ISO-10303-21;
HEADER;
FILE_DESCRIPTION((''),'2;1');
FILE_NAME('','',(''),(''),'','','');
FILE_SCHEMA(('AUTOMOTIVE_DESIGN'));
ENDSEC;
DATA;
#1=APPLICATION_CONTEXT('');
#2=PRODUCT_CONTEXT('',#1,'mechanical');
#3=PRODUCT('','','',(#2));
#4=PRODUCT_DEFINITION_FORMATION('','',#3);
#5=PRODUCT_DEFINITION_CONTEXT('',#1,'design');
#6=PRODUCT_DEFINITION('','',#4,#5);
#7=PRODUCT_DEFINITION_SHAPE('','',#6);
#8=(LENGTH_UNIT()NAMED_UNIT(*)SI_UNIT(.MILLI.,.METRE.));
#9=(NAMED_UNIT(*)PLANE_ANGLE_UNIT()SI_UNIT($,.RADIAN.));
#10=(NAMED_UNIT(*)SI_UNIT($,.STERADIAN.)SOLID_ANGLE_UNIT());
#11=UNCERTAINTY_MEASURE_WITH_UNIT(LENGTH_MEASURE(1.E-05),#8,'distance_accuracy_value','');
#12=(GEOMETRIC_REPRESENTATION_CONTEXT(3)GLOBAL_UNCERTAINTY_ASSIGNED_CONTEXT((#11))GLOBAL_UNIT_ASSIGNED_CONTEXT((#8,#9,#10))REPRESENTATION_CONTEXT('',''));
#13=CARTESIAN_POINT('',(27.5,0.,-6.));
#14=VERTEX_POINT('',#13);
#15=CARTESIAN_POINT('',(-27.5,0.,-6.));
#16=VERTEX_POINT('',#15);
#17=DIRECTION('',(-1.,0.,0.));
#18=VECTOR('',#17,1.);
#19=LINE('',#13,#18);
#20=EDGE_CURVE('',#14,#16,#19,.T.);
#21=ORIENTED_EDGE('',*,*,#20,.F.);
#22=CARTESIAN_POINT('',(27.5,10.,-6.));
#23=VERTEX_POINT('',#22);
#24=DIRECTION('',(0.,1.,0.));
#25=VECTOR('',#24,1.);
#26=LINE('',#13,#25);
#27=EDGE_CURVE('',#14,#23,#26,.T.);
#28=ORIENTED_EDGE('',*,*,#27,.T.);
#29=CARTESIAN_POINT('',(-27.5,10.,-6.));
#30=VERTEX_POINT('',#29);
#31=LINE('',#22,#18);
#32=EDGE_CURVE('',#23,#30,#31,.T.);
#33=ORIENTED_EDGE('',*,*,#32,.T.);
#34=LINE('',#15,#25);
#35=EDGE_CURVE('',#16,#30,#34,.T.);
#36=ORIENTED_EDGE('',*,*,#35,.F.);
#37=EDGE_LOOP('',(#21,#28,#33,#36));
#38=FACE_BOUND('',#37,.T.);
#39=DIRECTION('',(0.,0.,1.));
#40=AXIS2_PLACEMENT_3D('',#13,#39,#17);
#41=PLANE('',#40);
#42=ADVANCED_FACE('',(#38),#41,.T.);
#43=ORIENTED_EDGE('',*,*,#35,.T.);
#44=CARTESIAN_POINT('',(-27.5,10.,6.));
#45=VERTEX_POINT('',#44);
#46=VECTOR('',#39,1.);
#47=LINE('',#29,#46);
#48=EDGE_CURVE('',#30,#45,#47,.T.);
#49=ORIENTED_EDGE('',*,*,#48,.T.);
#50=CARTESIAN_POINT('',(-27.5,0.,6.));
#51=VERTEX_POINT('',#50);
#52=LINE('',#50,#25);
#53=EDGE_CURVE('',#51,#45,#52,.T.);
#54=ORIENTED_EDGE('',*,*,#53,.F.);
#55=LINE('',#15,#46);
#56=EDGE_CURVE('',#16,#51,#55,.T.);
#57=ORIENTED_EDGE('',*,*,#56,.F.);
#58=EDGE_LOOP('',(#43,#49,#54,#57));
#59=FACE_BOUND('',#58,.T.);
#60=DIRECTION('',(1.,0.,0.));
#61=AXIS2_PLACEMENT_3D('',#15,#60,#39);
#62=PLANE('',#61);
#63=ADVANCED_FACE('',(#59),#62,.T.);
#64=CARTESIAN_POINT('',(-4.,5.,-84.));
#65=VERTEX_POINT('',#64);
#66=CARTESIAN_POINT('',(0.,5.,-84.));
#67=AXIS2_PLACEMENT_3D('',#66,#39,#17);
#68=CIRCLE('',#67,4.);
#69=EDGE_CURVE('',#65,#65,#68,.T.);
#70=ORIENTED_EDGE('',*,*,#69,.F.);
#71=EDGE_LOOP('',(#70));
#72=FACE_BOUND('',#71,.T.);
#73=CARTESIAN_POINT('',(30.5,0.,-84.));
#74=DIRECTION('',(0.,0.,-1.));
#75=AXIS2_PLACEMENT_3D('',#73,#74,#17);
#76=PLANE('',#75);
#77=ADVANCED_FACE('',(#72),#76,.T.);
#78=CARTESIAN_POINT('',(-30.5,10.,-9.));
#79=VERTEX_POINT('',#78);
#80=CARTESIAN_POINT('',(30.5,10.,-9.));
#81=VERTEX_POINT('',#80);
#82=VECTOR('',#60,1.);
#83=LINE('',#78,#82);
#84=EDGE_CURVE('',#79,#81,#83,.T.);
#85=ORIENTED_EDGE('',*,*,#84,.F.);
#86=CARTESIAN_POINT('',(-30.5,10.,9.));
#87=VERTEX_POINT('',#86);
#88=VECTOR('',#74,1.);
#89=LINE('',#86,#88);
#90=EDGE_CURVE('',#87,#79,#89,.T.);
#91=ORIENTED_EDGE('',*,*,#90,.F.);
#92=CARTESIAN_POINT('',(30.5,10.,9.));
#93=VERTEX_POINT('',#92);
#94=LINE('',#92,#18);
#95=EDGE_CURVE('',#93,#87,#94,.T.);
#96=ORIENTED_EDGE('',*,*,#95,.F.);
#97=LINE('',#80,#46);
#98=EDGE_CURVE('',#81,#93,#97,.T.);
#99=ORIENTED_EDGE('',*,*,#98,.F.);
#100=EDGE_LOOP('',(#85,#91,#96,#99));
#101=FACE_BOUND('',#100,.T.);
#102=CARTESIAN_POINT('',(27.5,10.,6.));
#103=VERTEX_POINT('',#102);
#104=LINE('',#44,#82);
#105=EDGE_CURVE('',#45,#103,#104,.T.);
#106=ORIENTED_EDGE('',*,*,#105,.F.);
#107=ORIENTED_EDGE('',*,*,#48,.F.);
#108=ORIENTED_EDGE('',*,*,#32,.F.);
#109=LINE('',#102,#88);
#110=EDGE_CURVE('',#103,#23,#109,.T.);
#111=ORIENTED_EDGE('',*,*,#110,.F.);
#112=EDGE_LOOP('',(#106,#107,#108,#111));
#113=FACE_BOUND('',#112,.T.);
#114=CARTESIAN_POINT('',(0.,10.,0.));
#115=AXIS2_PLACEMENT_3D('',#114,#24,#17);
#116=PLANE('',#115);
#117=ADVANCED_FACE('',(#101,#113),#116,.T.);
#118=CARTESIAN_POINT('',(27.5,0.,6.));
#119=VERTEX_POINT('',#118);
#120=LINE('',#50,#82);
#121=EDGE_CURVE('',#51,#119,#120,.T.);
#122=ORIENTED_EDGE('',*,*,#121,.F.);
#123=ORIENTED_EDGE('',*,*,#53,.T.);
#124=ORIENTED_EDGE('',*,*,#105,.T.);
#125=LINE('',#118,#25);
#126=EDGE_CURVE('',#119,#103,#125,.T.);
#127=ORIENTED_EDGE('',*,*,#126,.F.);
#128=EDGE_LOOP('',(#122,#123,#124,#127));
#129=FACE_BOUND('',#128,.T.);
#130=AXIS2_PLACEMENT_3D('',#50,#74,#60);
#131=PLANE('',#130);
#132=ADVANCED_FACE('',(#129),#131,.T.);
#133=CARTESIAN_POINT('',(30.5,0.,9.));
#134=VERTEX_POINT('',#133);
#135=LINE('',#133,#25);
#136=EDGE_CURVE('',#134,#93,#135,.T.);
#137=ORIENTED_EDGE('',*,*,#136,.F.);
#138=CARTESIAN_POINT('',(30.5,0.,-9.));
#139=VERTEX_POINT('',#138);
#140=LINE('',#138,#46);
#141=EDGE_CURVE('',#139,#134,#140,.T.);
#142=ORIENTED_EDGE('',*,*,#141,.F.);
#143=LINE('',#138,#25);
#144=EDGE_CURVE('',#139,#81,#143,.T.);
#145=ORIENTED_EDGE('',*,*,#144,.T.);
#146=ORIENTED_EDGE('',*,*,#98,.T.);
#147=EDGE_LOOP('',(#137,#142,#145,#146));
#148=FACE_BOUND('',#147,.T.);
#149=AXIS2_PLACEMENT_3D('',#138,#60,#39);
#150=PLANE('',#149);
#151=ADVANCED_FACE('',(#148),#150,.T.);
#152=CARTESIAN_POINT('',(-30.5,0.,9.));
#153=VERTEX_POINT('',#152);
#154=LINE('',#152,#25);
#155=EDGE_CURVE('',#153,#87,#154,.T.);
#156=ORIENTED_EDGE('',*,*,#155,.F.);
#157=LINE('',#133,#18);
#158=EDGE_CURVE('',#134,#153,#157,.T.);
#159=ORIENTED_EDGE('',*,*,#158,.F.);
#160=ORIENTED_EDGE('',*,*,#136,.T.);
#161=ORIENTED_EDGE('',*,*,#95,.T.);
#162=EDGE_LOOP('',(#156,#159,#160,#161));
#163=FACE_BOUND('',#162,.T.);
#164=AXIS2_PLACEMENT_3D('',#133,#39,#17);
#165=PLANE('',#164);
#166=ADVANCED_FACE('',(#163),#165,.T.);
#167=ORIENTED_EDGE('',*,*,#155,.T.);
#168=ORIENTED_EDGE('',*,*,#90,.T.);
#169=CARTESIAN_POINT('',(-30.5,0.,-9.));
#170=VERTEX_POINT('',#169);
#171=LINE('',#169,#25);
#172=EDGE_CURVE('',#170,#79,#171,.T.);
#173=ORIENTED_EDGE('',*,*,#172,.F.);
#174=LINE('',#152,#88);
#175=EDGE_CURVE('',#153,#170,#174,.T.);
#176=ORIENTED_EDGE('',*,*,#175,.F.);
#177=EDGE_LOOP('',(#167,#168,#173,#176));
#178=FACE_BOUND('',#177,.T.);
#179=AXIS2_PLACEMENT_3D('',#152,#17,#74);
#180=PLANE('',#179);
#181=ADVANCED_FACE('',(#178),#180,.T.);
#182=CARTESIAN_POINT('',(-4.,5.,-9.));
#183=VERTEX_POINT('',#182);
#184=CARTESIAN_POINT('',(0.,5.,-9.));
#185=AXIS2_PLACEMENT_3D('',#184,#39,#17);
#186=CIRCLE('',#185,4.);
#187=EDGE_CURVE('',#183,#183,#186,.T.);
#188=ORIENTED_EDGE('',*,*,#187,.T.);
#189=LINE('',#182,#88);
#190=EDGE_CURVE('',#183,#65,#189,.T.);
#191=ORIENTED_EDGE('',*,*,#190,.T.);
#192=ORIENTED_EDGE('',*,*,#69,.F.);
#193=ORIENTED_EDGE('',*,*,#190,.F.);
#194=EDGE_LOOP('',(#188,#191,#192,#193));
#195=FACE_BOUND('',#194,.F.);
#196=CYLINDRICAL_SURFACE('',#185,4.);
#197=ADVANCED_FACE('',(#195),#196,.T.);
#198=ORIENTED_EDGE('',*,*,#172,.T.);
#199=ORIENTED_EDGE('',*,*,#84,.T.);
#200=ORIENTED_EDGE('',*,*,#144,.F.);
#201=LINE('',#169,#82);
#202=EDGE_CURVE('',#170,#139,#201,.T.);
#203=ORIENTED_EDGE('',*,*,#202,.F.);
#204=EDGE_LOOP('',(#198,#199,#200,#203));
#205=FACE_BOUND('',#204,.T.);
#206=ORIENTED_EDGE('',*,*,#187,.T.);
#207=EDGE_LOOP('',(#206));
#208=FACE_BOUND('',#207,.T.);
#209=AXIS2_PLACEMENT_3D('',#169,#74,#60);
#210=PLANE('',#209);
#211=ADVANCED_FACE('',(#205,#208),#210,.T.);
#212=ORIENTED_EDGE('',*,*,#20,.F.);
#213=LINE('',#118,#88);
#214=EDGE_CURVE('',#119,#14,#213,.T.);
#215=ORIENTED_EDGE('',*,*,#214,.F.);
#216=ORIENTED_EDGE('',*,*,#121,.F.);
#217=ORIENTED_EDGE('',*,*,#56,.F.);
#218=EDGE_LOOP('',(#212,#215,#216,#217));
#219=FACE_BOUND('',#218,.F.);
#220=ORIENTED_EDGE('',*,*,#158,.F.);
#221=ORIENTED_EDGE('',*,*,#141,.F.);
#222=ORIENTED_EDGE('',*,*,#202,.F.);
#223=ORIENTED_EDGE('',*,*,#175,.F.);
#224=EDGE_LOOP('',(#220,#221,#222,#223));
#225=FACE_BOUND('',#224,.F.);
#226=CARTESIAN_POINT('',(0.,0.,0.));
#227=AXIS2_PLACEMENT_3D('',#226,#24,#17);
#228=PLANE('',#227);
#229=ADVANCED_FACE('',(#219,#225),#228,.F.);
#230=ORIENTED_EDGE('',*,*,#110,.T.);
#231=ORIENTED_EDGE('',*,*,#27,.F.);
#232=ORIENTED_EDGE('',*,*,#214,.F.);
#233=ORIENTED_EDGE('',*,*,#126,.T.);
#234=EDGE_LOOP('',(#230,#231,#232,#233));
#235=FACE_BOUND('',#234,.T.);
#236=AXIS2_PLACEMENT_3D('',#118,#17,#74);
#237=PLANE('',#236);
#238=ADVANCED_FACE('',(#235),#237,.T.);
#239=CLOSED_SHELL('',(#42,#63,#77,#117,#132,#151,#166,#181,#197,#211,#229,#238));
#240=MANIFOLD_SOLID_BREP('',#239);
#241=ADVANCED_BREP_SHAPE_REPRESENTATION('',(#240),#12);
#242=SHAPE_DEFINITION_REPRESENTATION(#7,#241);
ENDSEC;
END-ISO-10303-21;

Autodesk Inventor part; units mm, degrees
ref_plane "YZ Plane" through (0, 0, 0) normal (1, 0, 0) x (0, 1, 0)
ref_plane "XZ Plane" through (0, 0, 0) normal (0, 1, 0) x (-1, 0, 0)
ref_plane "XY Plane" through (0, 0, 0) normal (0, 0, 1) x (1, 0, 0)
sketch "Sketch1" plane through (0, 0, 0) normal (0, 1, 0) x (-1, 0, 0)
  line L0 (27.5, 6) -> (-27.5, 6)
  line L1 (-27.5, 6) -> (-27.5, -6)
  line L2 (-27.5, -6) -> (27.5, -6)
  line L3 (27.5, -6) -> (27.5, 6)
  line L4 (27.5, 6) -> (-27.5, -6) construction
  line L5 (-27.5, 6) -> (27.5, -6) construction
  line L6 (30.5, -9) -> (-30.5, -9)
  line L7 (-30.5, -9) -> (-30.5, 9)
  line L8 (-30.5, 9) -> (30.5, 9)
  line L9 (30.5, 9) -> (30.5, -9)
  point P0 (0, 0)
  dimension "d0" = 55
  dimension "d1" = 12
  dimension "d2" = 3
extrude "Extrusion1" add sketch "Sketch1" along normal blind 10
sketch "Sketch2" plane through (30.5, 0, -9) normal (0, 0, -1) x (-1, 0, 0)
  line L0 (30.5, 0) -> (30.5, 5)
  circle A0 centre (30.5, 5) radius 4
  dimension "d5" = 5
  dimension "d6" = 8
extrude "Extrusion2" add sketch "Sketch2" along normal blind 75
properties part number "YUGO"
